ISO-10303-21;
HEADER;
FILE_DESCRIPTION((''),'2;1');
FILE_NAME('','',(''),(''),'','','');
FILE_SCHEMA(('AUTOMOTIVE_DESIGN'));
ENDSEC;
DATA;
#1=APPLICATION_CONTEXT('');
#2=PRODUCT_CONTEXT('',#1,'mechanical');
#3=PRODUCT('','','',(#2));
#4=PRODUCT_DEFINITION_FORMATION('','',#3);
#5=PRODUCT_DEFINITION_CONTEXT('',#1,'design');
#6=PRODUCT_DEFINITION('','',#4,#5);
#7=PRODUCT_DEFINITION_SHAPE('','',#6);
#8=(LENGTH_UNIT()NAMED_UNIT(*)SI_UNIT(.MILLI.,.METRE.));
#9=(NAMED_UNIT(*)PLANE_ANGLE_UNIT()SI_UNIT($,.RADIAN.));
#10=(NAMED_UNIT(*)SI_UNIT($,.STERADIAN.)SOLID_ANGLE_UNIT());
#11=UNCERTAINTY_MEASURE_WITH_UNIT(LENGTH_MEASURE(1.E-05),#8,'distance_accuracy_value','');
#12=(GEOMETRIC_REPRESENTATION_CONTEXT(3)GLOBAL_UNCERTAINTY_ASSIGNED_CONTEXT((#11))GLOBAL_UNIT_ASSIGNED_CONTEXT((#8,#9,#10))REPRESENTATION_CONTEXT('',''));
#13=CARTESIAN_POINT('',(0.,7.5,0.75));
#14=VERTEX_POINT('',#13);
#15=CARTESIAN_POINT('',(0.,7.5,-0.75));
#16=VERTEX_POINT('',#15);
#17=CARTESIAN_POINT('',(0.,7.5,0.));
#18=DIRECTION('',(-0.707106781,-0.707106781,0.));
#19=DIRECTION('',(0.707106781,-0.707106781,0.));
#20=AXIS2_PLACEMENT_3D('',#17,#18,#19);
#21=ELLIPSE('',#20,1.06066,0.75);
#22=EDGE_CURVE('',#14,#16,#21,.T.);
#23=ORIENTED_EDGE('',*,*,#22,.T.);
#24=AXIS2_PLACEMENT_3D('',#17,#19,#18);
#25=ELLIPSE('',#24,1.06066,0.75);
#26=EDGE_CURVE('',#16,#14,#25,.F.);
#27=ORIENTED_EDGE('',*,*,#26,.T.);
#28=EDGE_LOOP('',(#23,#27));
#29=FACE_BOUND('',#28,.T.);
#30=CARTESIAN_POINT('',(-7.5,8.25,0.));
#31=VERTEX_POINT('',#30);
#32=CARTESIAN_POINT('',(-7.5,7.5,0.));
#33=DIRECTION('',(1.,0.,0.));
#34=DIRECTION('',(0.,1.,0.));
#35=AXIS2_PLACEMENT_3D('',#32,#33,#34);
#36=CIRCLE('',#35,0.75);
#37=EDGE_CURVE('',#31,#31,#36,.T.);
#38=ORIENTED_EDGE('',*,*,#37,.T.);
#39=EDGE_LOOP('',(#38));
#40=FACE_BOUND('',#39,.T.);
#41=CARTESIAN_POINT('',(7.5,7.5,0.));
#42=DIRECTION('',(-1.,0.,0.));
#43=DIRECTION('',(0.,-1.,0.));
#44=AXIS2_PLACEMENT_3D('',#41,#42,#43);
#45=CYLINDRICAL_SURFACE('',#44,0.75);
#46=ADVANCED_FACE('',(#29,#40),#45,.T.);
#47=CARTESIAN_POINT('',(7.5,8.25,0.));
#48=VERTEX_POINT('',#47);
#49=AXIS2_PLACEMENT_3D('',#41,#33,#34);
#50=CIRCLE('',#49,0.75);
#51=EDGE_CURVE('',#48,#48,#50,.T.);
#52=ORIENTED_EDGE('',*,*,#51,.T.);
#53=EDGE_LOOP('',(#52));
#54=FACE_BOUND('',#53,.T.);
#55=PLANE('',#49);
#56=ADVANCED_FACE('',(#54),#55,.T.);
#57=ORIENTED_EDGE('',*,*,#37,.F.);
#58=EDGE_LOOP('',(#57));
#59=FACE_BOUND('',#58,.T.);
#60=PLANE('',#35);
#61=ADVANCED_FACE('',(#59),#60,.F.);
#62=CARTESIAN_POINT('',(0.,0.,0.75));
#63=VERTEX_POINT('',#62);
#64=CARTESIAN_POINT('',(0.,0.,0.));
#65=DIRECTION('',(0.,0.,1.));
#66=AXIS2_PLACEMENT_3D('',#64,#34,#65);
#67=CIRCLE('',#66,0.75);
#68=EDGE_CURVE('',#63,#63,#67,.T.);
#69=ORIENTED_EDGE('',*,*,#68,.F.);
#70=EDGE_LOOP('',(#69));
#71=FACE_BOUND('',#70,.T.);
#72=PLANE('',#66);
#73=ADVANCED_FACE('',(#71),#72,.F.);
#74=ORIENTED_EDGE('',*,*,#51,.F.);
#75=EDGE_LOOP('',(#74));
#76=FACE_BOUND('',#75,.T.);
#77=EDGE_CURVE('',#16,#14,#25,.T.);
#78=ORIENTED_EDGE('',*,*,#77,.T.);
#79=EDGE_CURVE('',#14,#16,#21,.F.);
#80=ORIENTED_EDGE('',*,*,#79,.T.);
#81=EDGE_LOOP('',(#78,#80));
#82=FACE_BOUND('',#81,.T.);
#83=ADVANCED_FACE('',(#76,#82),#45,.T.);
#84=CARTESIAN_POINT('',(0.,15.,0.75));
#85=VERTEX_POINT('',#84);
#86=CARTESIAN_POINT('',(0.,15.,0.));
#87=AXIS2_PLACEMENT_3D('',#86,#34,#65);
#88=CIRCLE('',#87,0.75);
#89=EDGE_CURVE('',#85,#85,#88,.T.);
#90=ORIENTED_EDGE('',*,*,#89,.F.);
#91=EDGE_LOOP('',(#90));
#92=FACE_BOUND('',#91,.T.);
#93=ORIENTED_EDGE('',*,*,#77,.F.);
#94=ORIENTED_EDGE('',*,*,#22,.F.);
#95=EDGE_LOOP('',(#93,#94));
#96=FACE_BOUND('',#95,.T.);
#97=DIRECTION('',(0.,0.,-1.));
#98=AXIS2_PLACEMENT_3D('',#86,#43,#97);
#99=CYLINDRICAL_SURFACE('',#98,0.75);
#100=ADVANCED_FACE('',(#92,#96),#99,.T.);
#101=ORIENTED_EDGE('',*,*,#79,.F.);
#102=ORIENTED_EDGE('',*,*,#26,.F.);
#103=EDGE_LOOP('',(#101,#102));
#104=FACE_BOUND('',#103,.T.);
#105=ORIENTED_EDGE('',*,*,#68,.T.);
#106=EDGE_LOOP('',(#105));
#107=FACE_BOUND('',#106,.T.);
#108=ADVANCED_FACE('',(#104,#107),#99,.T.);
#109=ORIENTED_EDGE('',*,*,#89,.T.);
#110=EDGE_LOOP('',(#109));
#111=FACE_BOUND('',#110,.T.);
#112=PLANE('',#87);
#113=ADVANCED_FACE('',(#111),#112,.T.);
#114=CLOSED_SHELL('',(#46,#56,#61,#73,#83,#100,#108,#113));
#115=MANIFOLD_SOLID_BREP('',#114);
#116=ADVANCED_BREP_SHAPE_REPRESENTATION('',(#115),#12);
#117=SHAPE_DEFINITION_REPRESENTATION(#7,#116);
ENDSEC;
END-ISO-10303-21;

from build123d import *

# Parameters (mm, degrees)
SKETCH1_R           = 0.75
BOSS_EXTRUDE1_DEPTH = 15
SKETCH3_R           = 0.75
BOSS_EXTRUDE2_DEPTH = 15


with BuildPart() as part:
    # Sketch1 → Boss-Extrude1 (new body)
    with BuildSketch(Plane(origin=(0, 0, 0), x_dir=(1, 0, 0), z_dir=(0, 1, 0))):
        with Locations(Location((0, 0, 0), (0, 0, 270))):
            Circle(SKETCH1_R)
    extrude(amount=BOSS_EXTRUDE1_DEPTH)

    # Sketch3 → Boss-Extrude2 (add)
    with BuildSketch(Plane(origin=(-7.5, 7.5, 0), x_dir=(0, 0, -1), z_dir=(1, 0, 0))):
        with Locations(Location((0, 0, 0), (0, 0, 180))):
            Circle(SKETCH3_R)
    extrude(amount=BOSS_EXTRUDE2_DEPTH)


solid = part.part
